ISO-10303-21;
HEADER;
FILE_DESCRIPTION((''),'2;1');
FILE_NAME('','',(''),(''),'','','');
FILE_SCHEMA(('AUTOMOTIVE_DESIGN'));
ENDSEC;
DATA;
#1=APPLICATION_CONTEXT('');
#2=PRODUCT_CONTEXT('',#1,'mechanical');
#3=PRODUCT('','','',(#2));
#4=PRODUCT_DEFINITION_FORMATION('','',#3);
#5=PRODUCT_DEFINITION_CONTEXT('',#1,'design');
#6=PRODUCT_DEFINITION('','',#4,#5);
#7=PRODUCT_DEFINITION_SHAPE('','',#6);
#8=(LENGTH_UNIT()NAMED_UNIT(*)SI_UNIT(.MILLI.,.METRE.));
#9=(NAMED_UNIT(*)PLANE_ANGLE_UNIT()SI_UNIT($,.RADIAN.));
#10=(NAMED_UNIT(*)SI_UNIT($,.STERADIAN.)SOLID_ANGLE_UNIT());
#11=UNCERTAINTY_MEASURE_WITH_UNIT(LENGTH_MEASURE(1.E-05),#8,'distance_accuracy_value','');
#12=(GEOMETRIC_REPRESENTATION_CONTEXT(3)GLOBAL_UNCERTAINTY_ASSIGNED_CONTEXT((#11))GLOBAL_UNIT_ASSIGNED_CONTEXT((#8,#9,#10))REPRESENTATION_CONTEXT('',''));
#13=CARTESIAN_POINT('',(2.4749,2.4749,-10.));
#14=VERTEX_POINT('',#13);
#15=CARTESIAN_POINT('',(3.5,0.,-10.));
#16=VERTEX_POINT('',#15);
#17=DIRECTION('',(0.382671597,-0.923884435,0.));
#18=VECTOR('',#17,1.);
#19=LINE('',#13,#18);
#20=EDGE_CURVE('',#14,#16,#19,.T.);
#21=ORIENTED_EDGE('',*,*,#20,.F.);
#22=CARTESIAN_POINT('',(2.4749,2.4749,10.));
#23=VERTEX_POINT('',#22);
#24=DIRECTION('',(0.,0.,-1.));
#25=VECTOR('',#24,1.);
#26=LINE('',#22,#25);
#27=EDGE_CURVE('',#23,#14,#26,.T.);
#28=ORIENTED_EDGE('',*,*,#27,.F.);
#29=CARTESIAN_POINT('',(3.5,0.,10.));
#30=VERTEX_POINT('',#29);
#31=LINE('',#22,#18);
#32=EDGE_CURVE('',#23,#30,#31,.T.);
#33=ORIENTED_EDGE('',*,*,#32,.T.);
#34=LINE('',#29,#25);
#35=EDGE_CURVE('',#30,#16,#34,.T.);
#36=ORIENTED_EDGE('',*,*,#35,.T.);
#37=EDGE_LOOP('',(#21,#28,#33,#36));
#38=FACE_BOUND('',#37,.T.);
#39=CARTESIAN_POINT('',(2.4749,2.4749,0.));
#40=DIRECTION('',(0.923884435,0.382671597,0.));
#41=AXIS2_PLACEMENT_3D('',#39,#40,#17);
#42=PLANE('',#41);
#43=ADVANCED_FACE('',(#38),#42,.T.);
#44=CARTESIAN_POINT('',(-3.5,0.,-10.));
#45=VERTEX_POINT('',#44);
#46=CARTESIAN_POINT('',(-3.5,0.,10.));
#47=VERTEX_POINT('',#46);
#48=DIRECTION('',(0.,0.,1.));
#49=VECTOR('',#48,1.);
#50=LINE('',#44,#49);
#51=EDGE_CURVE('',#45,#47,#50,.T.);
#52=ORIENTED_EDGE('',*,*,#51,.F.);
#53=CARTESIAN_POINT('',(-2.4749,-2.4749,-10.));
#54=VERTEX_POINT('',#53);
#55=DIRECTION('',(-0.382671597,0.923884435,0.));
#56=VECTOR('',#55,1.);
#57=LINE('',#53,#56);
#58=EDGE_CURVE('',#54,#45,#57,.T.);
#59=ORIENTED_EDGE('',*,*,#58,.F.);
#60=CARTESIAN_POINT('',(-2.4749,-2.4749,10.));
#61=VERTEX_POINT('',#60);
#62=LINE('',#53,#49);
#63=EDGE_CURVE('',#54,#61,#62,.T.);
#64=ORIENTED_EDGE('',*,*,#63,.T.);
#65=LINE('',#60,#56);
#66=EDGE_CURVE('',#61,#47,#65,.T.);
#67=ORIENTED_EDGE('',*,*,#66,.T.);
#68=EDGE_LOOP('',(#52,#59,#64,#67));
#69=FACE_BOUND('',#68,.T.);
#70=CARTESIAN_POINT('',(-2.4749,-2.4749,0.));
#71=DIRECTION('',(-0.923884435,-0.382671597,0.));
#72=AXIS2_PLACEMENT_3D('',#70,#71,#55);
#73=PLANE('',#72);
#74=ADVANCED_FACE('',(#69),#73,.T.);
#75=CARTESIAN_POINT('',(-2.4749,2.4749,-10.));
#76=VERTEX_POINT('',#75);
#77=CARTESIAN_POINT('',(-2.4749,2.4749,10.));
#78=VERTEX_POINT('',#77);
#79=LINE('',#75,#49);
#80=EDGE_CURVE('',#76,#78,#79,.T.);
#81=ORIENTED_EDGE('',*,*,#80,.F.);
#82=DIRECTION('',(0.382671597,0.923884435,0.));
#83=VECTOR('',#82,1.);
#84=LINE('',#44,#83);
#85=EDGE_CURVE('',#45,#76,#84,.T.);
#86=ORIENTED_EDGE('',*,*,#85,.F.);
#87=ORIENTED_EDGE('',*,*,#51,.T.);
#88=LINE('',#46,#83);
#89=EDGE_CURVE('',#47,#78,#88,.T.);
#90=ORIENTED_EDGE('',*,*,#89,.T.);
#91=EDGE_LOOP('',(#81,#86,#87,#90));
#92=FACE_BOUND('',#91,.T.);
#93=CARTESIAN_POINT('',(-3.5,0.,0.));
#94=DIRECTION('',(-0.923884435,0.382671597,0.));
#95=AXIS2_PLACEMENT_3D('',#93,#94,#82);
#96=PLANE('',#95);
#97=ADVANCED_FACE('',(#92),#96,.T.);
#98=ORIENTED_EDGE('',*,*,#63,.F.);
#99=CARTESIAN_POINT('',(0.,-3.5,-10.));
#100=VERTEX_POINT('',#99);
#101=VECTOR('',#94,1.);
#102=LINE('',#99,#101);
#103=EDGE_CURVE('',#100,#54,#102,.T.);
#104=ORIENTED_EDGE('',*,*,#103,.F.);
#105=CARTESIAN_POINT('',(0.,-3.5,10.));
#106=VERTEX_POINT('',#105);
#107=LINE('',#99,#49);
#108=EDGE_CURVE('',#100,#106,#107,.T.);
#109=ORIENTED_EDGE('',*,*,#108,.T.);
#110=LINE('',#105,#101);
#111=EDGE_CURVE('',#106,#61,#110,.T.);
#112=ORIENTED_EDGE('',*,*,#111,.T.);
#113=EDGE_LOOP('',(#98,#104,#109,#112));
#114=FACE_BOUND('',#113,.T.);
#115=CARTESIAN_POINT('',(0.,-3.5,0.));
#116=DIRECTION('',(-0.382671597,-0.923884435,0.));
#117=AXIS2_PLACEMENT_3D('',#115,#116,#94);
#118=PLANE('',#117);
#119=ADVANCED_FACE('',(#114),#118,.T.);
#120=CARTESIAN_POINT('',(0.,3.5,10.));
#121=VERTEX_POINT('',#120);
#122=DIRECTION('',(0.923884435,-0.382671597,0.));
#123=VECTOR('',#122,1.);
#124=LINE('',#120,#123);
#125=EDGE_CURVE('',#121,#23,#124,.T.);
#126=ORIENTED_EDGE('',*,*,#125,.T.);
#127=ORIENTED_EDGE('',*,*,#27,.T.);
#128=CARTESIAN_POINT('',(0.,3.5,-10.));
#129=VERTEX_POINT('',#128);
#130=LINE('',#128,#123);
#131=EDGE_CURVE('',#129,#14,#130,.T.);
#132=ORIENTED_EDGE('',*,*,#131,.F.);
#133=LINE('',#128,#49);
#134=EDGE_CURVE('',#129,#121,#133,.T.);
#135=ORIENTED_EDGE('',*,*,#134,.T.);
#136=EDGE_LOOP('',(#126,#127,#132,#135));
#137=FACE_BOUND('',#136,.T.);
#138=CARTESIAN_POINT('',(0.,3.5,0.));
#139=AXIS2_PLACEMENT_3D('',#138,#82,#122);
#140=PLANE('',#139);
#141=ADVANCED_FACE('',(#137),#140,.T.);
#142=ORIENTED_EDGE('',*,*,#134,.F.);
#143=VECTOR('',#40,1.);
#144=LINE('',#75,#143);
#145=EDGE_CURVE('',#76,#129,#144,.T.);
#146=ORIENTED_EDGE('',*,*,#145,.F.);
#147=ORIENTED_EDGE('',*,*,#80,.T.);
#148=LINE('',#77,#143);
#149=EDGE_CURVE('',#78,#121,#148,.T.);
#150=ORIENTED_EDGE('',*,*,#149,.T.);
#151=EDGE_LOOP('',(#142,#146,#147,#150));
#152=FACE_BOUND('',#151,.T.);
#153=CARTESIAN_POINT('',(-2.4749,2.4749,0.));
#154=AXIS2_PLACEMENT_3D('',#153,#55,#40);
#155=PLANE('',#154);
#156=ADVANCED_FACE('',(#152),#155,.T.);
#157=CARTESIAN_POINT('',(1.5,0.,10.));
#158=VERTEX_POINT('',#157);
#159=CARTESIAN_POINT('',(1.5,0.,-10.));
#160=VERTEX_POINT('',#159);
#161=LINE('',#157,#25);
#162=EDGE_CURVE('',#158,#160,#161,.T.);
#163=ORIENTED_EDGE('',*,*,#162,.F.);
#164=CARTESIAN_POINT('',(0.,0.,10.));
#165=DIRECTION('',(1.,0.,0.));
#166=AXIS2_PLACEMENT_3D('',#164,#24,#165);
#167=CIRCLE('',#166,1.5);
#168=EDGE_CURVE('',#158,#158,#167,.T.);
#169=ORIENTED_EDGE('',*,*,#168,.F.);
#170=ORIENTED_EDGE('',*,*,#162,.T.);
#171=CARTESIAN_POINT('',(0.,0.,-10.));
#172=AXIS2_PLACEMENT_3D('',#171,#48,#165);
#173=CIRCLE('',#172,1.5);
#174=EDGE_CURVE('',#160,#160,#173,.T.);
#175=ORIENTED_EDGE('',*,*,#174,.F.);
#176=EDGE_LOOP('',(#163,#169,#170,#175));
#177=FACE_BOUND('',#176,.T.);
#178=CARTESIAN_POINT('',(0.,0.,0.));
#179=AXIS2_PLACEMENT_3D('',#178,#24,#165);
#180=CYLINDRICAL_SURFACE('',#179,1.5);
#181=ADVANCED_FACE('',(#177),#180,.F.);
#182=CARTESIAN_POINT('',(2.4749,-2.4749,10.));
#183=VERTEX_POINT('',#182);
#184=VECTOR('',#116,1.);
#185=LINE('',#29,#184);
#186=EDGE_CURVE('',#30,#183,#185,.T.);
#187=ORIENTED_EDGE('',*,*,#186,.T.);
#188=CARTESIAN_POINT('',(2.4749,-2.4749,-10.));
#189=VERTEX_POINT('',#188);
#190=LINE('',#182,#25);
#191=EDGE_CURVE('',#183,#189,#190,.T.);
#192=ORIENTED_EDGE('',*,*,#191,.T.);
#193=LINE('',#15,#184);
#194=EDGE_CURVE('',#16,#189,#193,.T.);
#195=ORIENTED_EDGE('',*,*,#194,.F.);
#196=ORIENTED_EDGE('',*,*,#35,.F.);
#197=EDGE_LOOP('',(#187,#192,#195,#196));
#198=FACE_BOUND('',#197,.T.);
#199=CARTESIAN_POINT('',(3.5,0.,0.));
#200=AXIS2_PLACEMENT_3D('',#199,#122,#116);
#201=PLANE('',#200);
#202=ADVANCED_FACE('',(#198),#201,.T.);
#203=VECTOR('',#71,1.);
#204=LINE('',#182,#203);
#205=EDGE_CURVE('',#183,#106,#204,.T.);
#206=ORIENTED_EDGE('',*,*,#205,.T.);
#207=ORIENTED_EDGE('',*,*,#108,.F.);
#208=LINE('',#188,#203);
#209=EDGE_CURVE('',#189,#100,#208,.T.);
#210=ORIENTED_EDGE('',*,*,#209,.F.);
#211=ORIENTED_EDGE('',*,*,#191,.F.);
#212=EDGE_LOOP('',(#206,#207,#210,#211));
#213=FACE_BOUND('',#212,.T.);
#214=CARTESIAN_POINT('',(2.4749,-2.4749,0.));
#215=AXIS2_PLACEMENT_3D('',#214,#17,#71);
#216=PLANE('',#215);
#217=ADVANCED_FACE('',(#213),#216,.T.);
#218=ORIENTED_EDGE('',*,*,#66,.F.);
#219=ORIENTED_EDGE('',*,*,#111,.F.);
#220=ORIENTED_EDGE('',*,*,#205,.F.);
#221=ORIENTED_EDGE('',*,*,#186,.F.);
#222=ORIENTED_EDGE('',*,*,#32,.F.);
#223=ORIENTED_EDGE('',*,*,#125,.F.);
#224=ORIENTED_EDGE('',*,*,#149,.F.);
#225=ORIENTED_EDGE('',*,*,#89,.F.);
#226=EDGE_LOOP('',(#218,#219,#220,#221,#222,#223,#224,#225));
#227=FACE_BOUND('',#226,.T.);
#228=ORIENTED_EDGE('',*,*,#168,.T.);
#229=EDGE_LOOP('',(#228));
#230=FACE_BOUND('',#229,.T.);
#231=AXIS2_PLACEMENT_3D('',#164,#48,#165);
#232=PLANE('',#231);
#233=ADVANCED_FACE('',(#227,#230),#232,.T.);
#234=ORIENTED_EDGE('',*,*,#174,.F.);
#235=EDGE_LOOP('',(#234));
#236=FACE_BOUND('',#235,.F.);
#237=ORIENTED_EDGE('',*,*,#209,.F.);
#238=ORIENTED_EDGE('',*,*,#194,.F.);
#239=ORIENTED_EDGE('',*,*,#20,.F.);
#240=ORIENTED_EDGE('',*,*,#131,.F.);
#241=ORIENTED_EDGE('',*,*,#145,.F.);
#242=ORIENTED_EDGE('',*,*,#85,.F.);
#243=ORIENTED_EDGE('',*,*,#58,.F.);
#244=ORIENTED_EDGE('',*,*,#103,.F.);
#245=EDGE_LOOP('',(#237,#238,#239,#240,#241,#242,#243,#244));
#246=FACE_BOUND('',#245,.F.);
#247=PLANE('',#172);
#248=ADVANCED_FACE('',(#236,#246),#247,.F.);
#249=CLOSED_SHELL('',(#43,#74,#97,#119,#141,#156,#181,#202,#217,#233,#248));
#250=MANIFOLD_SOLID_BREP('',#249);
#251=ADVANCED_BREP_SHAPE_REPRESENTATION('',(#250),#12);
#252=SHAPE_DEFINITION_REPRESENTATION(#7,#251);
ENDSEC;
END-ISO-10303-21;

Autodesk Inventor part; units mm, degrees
sketch "Skizze1" plane through (0, 0, 0) normal (0, 0, 1) x (1, 0, 0)
  line L0 (0, 4.9) -> (0, -4.9)
  line L1 (-4.9, 0) -> (4.9, 0)
  line L2 (0, 3.5) -> (2.4749, 2.4749)
  line L3 (2.4749, 2.4749) -> (3.5, 0)
  line L4 (3.5, 0) -> (2.4749, -2.4749)
  line L5 (2.4749, -2.4749) -> (0, -3.5)
  line L6 (0, -3.5) -> (-2.4749, -2.4749)
  line L7 (-2.4749, -2.4749) -> (-3.5, 0)
  line L8 (-3.5, 0) -> (-2.4749, 2.4749)
  line L9 (-2.4749, 2.4749) -> (0, 3.5)
  circle A0 centre (0, 0) radius 1.5
  dimension "d0" = 3
extrude "Extrusion1" add sketch "Skizze1" along normal mid plane 20 contours L2 L3 L1 A0 L0 | L0 A0 L1 L8 L9 | L1 L4 L5 L0 A0 | A0 L0 L6 L7 L1
thread "Gewinde1" size "M3x0.5" class "6H" standard "ANSI Metric M Profile" length 20 offset 1
properties part number "StützeArduino"
